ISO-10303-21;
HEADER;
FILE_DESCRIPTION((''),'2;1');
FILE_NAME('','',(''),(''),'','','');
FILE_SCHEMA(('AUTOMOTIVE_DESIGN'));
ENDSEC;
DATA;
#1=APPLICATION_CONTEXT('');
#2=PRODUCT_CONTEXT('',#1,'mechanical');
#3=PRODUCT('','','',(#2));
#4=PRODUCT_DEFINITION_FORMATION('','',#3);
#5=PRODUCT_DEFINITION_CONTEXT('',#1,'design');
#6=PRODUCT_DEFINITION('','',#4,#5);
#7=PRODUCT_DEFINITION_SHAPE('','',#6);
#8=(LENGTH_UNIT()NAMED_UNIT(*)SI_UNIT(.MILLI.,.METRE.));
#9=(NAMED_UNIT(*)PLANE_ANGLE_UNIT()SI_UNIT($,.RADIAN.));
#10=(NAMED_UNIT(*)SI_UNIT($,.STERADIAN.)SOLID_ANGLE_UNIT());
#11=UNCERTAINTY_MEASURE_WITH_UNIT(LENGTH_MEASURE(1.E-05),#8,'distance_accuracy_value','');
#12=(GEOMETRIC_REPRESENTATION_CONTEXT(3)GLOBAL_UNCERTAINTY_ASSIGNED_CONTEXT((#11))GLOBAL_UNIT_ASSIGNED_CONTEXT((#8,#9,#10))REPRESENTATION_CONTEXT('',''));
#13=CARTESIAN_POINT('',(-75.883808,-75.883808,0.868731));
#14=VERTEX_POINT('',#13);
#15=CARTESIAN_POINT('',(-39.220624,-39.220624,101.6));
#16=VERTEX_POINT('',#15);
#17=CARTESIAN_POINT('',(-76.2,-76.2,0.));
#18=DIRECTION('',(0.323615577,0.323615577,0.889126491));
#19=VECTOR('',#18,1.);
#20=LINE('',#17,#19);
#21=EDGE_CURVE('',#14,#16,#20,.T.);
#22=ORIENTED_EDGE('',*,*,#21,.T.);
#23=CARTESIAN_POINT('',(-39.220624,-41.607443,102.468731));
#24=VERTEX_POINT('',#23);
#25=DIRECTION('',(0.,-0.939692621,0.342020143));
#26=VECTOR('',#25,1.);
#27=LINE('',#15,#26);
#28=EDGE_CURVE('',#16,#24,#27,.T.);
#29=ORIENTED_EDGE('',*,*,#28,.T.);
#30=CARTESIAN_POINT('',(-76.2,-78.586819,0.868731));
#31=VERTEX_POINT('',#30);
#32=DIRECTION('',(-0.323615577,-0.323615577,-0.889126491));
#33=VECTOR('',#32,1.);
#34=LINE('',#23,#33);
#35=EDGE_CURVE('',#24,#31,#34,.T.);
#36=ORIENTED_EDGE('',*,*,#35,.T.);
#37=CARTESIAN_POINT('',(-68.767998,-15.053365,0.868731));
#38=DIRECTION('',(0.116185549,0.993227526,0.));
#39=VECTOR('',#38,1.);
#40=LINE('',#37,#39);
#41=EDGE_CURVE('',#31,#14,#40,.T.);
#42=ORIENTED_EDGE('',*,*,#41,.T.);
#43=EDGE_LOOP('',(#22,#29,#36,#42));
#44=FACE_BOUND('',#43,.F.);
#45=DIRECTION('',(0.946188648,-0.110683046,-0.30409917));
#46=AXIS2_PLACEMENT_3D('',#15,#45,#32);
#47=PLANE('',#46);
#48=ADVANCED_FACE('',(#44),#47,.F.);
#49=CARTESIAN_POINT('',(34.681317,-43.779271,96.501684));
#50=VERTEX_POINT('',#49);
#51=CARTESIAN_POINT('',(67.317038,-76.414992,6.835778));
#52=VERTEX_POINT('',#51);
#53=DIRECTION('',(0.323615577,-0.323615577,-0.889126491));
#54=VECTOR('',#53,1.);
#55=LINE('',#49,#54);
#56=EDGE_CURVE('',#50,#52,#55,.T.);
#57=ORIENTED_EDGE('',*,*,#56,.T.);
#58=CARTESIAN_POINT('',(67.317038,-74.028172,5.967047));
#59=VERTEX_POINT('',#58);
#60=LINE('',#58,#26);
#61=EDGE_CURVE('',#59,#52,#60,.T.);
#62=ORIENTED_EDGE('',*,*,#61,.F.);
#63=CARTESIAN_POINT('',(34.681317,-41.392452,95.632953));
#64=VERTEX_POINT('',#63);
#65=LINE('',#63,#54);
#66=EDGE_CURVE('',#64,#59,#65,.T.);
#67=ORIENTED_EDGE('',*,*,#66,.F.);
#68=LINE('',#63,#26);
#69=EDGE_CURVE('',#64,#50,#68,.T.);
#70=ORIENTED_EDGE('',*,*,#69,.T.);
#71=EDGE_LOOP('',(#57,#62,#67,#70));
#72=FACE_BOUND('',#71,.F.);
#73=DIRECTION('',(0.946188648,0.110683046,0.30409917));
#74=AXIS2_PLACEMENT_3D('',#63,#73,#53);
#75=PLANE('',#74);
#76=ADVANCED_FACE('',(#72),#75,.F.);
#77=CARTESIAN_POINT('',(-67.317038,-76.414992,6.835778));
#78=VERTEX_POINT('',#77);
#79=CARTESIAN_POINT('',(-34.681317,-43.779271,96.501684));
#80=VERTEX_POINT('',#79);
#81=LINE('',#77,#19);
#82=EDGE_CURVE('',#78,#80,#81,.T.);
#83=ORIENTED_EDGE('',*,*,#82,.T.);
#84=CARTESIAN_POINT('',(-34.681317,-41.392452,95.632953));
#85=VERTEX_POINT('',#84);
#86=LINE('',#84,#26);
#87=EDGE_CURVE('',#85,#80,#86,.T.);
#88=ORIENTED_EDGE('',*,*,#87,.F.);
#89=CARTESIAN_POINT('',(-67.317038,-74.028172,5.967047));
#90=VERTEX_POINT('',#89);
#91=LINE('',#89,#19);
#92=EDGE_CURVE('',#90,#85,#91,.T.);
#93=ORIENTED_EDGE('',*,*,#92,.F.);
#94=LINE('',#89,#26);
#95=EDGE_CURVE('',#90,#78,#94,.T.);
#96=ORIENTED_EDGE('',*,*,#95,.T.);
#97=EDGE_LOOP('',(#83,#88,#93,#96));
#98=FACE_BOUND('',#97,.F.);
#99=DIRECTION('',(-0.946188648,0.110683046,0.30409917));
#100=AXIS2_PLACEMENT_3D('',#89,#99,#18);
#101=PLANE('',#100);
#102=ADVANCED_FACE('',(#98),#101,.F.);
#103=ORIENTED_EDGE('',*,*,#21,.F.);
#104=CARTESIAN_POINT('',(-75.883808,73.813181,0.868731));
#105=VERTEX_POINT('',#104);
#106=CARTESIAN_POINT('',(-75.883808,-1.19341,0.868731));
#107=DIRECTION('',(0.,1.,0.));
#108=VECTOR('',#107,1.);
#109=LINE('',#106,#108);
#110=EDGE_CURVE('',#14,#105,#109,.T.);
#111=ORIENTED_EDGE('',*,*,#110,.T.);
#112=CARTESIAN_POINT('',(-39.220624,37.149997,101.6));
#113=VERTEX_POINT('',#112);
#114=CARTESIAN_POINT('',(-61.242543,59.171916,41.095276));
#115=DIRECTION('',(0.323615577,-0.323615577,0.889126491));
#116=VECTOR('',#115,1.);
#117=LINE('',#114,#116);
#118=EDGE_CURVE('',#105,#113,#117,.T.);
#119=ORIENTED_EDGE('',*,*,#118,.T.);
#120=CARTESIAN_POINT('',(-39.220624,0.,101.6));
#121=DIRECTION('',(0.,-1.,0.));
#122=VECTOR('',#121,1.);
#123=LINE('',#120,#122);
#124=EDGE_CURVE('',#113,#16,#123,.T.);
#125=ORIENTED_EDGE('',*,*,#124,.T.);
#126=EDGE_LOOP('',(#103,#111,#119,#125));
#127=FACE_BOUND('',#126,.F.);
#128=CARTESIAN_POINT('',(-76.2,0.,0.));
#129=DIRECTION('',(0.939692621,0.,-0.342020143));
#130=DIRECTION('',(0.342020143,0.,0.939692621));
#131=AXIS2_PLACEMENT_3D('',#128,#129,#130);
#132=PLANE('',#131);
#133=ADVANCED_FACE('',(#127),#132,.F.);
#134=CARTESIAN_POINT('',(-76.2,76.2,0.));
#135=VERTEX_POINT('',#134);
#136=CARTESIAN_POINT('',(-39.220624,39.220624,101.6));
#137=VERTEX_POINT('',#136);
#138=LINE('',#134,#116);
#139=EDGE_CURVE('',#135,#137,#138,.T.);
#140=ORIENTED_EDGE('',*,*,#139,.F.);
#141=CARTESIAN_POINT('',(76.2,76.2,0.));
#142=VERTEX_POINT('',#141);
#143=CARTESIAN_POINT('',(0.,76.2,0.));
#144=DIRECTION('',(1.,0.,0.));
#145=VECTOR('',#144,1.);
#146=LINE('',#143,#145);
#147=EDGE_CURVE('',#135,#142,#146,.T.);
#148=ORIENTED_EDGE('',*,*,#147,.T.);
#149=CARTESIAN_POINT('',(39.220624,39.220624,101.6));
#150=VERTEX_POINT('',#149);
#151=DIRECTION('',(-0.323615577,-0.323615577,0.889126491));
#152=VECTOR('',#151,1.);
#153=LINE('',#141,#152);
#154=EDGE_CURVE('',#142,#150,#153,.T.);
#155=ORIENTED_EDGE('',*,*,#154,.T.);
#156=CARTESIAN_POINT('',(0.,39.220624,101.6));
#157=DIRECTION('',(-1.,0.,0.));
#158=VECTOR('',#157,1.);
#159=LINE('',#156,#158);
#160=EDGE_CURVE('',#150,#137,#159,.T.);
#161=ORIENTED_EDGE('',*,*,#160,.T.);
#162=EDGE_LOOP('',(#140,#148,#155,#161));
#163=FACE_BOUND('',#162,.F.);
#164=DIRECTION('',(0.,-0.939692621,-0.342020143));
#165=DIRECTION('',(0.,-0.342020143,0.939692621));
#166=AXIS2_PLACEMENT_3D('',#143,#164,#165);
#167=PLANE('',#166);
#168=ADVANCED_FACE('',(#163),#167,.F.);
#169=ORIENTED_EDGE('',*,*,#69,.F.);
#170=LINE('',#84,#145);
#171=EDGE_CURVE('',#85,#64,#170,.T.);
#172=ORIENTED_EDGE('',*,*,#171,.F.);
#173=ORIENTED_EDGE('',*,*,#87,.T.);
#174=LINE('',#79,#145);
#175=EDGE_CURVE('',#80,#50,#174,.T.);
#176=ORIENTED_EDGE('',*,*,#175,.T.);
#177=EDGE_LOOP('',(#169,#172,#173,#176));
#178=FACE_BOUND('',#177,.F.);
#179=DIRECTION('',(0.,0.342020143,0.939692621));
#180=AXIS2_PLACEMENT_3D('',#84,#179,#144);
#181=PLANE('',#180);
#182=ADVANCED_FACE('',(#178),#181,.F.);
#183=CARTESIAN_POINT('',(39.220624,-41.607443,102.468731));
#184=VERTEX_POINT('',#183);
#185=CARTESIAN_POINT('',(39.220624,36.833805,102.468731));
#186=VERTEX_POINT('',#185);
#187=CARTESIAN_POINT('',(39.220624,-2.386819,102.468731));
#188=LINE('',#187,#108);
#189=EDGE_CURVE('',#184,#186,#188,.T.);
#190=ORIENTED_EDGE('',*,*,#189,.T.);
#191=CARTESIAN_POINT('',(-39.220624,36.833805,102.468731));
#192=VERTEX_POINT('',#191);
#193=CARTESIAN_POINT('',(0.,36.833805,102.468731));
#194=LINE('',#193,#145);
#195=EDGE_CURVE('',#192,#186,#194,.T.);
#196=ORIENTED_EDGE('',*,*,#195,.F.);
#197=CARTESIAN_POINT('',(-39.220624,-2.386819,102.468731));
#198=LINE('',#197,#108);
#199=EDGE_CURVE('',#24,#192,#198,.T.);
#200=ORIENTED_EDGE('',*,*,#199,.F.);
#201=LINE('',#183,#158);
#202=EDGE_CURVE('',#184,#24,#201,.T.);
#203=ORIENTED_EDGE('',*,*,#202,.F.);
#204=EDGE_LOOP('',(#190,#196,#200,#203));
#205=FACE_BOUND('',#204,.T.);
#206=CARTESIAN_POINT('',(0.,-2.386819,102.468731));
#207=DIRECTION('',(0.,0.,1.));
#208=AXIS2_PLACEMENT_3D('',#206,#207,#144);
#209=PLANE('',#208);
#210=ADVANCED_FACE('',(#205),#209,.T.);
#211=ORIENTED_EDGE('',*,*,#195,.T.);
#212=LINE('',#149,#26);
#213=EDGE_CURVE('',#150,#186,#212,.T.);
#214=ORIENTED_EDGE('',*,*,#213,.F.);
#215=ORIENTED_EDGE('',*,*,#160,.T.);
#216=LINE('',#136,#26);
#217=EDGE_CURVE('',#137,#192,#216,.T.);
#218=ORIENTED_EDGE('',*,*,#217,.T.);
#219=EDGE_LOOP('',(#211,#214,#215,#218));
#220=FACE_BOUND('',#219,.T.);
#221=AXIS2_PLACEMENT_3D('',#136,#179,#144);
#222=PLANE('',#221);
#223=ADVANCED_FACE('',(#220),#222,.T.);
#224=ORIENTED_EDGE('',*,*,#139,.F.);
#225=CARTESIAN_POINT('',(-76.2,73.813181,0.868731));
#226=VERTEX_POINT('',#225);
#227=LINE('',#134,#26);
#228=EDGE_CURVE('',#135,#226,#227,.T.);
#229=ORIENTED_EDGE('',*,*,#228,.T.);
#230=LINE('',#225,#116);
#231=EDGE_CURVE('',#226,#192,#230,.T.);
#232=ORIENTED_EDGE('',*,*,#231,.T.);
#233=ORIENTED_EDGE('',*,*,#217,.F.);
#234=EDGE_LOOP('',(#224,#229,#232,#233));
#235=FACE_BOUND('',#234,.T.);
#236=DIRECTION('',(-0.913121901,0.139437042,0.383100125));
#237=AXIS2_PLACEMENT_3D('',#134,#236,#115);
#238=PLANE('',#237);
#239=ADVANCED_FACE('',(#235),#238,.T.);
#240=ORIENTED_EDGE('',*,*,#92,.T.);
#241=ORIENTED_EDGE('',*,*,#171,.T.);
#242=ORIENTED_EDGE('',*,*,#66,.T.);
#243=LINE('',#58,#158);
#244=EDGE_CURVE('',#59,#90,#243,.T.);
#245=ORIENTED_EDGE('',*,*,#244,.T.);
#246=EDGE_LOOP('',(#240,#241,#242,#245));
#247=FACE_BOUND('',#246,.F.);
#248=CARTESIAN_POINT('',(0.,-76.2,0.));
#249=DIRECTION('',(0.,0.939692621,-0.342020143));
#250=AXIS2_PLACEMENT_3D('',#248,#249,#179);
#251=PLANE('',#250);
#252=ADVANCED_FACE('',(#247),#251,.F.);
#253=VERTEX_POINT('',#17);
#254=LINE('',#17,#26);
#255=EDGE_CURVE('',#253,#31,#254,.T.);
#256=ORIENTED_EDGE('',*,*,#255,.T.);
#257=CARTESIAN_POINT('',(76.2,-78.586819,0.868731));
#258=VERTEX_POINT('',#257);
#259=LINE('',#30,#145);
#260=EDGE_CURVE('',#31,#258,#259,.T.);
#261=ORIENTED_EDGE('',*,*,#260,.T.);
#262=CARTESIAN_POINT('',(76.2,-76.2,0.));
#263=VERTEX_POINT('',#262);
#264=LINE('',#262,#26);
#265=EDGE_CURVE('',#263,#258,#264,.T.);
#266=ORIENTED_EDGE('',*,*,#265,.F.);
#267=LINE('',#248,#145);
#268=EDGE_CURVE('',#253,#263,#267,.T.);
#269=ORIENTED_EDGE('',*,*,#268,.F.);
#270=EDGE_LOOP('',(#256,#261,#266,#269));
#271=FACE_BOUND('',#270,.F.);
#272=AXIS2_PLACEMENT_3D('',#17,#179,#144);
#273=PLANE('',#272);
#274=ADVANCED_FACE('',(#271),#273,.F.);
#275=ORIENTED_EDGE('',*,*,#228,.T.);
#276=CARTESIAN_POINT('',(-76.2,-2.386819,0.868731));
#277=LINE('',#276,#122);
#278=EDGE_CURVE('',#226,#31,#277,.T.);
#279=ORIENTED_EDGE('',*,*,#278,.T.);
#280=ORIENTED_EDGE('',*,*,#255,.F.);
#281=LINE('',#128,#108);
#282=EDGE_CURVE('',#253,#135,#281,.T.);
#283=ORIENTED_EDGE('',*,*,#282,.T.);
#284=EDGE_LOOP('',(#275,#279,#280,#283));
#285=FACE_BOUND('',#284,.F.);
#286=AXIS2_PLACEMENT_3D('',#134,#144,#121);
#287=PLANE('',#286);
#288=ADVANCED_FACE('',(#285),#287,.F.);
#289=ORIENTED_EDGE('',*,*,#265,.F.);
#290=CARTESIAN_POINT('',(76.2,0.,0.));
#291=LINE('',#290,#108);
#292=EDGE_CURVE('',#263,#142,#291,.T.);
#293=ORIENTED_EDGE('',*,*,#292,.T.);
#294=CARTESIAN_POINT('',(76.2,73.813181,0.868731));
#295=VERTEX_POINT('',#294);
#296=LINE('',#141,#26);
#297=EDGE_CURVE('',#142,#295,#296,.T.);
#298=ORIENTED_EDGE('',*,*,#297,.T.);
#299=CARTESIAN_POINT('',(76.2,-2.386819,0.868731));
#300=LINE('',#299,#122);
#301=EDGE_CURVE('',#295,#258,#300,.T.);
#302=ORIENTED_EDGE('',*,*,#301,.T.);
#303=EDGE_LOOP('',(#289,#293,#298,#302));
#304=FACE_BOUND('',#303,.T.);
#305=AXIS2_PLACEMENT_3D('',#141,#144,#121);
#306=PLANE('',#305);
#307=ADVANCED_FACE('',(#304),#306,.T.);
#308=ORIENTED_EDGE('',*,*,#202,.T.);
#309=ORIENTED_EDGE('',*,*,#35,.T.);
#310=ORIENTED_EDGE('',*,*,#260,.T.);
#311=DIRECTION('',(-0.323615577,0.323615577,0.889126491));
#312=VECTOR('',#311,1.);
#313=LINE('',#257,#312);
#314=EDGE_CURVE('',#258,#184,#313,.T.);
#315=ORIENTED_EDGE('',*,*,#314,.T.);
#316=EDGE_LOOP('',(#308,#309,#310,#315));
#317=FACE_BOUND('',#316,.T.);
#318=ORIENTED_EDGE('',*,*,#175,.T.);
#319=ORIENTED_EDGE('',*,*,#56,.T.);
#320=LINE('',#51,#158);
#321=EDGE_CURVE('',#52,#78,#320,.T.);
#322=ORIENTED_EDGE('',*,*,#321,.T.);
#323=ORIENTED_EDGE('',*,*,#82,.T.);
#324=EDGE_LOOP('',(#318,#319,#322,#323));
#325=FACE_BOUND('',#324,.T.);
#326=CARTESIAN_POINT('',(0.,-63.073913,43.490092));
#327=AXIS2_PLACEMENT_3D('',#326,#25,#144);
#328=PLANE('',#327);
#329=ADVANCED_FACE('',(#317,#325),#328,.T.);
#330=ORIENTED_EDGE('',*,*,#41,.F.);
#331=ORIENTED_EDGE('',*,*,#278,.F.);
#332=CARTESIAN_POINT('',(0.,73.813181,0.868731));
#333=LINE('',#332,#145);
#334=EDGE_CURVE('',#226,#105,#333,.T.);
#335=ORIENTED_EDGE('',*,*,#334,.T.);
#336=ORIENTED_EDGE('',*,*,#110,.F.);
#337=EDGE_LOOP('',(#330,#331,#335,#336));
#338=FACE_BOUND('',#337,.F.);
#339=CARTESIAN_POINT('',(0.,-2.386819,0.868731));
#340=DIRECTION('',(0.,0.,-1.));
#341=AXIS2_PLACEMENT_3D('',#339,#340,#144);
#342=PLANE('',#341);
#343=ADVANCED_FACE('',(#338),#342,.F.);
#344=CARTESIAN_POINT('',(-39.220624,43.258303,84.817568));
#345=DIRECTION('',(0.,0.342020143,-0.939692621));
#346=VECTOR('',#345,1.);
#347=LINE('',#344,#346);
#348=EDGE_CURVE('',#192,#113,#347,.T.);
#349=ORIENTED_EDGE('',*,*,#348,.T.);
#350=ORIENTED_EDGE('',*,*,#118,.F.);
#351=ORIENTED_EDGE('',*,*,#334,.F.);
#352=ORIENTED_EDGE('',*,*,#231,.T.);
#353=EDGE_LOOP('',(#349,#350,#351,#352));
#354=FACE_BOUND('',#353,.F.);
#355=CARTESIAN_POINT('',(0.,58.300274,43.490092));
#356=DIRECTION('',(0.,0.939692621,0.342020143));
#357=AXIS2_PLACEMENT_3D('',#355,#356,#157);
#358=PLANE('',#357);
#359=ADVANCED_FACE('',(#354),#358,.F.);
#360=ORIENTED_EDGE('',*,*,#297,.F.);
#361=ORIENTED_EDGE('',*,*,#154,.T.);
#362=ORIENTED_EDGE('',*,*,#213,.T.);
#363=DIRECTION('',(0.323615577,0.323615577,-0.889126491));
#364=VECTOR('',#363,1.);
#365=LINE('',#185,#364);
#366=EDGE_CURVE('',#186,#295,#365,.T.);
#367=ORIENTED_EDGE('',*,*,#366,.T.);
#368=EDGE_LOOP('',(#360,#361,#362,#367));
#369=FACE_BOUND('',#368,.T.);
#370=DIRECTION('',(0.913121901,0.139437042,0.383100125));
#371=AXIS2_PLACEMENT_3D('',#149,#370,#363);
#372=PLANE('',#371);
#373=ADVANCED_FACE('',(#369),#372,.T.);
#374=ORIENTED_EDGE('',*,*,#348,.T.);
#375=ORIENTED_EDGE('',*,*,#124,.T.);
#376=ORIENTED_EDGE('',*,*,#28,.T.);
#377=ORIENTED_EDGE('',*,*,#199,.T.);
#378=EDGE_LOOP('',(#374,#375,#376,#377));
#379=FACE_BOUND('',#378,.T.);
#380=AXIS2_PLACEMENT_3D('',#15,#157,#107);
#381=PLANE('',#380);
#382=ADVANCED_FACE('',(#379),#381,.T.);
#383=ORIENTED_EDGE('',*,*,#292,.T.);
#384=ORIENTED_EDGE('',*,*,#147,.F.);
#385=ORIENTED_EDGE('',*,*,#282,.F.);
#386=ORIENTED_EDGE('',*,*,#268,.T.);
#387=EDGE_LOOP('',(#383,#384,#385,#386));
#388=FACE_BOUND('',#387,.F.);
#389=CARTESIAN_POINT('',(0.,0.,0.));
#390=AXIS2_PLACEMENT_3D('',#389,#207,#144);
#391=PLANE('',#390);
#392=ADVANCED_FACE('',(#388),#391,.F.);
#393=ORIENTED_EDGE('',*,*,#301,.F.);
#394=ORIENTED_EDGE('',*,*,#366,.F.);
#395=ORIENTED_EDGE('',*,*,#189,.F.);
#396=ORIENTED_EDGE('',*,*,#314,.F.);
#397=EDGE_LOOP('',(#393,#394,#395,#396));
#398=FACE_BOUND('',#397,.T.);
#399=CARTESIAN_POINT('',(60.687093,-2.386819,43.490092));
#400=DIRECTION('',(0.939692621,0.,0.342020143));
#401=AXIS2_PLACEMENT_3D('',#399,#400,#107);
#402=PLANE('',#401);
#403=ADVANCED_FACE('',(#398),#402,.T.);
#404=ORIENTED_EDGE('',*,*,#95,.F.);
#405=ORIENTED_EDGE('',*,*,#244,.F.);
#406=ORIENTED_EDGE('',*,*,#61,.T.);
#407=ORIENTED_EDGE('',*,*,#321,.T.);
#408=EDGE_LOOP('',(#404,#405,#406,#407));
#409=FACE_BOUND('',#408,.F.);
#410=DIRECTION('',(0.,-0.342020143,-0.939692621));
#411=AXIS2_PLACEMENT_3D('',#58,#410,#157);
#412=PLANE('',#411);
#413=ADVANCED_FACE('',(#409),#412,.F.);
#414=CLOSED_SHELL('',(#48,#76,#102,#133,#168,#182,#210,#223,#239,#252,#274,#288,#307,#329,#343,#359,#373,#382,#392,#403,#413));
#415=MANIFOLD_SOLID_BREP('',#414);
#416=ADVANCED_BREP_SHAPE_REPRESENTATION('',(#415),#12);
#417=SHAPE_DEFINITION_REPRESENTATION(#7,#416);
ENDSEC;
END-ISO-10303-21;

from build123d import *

# Parameters (mm, degrees)
F0_W       = 152.4
F0_H       = 152.4
F1_DEPTH   = 101.6
F1_TAPER   = 20
F1_FACE1_W = 152.4
F1_FACE1_H = 152.4
F1_FACE2_W = 78.4412483971
F1_FACE2_H = 78.4412483971
F3_DEPTH   = 2.54


with BuildPart() as f1:
    # F0 (on Top) → F1 (new body)
    with BuildSketch(Plane.XY):
        Rectangle(F0_W, F0_H)
    extrude(amount=F1_DEPTH, taper=F1_TAPER)

    # F2 (on face) + F1_face1 (on face) + F1_face2 (on face) + F1_face3 (on face) + F1_face4 (on face) → F3 (join)
    with BuildSketch(Plane(origin=(0, -67.2862932828, 24.4902079291), x_dir=(1, 0, 0), z_dir=(0, -0.9396926208, 0.3420201433))):
        Polygon((39.2206241986, 82.0585267621), (-39.2206241986, 82.0585267621), (-76.2, -26.0619349214), (76.2, -26.0619349214), align=None)
        Polygon((-67.3170380488, -19.7119357924), (-34.6813174718, 75.7085276331), (34.6813174718, 75.7085276331), (67.3170380488, -19.7119357924), align=None, mode=Mode.SUBTRACT)
    with BuildSketch(Plane(origin=(0, 0, 0), x_dir=(1, 0, 0), z_dir=(0, 0, -1))):
        Rectangle(F1_FACE1_W, F1_FACE1_H)
    with BuildSketch(Plane.XY.offset(101.6)):
        Rectangle(F1_FACE2_W, F1_FACE2_H)
    with BuildSketch(Plane(origin=(0, 59.6849364268, 45.3747642481), x_dir=(-1, 0, 0), z_dir=(0, 0.9396926208, 0.3420201433))):
        Polygon((-39.2206241986, 59.8336461394), (-76.2, -48.2868155442), (76.2, -48.2868155442), (39.2206241986, 59.8336461394), align=None)
    with BuildSketch(Plane(origin=(59.6849364268, 0, 45.3747642481), x_dir=(0, 1, 0), z_dir=(0.9396926208, 0, 0.3420201433))):
        Polygon((-39.2206241986, 59.8336461394), (-76.2, -48.2868155442), (76.2, -48.2868155442), (39.2206241986, 59.8336461394), align=None)
    extrude(amount=F3_DEPTH, dir=(0, -0.9396926208, 0.3420201433))


solid = f1.part
